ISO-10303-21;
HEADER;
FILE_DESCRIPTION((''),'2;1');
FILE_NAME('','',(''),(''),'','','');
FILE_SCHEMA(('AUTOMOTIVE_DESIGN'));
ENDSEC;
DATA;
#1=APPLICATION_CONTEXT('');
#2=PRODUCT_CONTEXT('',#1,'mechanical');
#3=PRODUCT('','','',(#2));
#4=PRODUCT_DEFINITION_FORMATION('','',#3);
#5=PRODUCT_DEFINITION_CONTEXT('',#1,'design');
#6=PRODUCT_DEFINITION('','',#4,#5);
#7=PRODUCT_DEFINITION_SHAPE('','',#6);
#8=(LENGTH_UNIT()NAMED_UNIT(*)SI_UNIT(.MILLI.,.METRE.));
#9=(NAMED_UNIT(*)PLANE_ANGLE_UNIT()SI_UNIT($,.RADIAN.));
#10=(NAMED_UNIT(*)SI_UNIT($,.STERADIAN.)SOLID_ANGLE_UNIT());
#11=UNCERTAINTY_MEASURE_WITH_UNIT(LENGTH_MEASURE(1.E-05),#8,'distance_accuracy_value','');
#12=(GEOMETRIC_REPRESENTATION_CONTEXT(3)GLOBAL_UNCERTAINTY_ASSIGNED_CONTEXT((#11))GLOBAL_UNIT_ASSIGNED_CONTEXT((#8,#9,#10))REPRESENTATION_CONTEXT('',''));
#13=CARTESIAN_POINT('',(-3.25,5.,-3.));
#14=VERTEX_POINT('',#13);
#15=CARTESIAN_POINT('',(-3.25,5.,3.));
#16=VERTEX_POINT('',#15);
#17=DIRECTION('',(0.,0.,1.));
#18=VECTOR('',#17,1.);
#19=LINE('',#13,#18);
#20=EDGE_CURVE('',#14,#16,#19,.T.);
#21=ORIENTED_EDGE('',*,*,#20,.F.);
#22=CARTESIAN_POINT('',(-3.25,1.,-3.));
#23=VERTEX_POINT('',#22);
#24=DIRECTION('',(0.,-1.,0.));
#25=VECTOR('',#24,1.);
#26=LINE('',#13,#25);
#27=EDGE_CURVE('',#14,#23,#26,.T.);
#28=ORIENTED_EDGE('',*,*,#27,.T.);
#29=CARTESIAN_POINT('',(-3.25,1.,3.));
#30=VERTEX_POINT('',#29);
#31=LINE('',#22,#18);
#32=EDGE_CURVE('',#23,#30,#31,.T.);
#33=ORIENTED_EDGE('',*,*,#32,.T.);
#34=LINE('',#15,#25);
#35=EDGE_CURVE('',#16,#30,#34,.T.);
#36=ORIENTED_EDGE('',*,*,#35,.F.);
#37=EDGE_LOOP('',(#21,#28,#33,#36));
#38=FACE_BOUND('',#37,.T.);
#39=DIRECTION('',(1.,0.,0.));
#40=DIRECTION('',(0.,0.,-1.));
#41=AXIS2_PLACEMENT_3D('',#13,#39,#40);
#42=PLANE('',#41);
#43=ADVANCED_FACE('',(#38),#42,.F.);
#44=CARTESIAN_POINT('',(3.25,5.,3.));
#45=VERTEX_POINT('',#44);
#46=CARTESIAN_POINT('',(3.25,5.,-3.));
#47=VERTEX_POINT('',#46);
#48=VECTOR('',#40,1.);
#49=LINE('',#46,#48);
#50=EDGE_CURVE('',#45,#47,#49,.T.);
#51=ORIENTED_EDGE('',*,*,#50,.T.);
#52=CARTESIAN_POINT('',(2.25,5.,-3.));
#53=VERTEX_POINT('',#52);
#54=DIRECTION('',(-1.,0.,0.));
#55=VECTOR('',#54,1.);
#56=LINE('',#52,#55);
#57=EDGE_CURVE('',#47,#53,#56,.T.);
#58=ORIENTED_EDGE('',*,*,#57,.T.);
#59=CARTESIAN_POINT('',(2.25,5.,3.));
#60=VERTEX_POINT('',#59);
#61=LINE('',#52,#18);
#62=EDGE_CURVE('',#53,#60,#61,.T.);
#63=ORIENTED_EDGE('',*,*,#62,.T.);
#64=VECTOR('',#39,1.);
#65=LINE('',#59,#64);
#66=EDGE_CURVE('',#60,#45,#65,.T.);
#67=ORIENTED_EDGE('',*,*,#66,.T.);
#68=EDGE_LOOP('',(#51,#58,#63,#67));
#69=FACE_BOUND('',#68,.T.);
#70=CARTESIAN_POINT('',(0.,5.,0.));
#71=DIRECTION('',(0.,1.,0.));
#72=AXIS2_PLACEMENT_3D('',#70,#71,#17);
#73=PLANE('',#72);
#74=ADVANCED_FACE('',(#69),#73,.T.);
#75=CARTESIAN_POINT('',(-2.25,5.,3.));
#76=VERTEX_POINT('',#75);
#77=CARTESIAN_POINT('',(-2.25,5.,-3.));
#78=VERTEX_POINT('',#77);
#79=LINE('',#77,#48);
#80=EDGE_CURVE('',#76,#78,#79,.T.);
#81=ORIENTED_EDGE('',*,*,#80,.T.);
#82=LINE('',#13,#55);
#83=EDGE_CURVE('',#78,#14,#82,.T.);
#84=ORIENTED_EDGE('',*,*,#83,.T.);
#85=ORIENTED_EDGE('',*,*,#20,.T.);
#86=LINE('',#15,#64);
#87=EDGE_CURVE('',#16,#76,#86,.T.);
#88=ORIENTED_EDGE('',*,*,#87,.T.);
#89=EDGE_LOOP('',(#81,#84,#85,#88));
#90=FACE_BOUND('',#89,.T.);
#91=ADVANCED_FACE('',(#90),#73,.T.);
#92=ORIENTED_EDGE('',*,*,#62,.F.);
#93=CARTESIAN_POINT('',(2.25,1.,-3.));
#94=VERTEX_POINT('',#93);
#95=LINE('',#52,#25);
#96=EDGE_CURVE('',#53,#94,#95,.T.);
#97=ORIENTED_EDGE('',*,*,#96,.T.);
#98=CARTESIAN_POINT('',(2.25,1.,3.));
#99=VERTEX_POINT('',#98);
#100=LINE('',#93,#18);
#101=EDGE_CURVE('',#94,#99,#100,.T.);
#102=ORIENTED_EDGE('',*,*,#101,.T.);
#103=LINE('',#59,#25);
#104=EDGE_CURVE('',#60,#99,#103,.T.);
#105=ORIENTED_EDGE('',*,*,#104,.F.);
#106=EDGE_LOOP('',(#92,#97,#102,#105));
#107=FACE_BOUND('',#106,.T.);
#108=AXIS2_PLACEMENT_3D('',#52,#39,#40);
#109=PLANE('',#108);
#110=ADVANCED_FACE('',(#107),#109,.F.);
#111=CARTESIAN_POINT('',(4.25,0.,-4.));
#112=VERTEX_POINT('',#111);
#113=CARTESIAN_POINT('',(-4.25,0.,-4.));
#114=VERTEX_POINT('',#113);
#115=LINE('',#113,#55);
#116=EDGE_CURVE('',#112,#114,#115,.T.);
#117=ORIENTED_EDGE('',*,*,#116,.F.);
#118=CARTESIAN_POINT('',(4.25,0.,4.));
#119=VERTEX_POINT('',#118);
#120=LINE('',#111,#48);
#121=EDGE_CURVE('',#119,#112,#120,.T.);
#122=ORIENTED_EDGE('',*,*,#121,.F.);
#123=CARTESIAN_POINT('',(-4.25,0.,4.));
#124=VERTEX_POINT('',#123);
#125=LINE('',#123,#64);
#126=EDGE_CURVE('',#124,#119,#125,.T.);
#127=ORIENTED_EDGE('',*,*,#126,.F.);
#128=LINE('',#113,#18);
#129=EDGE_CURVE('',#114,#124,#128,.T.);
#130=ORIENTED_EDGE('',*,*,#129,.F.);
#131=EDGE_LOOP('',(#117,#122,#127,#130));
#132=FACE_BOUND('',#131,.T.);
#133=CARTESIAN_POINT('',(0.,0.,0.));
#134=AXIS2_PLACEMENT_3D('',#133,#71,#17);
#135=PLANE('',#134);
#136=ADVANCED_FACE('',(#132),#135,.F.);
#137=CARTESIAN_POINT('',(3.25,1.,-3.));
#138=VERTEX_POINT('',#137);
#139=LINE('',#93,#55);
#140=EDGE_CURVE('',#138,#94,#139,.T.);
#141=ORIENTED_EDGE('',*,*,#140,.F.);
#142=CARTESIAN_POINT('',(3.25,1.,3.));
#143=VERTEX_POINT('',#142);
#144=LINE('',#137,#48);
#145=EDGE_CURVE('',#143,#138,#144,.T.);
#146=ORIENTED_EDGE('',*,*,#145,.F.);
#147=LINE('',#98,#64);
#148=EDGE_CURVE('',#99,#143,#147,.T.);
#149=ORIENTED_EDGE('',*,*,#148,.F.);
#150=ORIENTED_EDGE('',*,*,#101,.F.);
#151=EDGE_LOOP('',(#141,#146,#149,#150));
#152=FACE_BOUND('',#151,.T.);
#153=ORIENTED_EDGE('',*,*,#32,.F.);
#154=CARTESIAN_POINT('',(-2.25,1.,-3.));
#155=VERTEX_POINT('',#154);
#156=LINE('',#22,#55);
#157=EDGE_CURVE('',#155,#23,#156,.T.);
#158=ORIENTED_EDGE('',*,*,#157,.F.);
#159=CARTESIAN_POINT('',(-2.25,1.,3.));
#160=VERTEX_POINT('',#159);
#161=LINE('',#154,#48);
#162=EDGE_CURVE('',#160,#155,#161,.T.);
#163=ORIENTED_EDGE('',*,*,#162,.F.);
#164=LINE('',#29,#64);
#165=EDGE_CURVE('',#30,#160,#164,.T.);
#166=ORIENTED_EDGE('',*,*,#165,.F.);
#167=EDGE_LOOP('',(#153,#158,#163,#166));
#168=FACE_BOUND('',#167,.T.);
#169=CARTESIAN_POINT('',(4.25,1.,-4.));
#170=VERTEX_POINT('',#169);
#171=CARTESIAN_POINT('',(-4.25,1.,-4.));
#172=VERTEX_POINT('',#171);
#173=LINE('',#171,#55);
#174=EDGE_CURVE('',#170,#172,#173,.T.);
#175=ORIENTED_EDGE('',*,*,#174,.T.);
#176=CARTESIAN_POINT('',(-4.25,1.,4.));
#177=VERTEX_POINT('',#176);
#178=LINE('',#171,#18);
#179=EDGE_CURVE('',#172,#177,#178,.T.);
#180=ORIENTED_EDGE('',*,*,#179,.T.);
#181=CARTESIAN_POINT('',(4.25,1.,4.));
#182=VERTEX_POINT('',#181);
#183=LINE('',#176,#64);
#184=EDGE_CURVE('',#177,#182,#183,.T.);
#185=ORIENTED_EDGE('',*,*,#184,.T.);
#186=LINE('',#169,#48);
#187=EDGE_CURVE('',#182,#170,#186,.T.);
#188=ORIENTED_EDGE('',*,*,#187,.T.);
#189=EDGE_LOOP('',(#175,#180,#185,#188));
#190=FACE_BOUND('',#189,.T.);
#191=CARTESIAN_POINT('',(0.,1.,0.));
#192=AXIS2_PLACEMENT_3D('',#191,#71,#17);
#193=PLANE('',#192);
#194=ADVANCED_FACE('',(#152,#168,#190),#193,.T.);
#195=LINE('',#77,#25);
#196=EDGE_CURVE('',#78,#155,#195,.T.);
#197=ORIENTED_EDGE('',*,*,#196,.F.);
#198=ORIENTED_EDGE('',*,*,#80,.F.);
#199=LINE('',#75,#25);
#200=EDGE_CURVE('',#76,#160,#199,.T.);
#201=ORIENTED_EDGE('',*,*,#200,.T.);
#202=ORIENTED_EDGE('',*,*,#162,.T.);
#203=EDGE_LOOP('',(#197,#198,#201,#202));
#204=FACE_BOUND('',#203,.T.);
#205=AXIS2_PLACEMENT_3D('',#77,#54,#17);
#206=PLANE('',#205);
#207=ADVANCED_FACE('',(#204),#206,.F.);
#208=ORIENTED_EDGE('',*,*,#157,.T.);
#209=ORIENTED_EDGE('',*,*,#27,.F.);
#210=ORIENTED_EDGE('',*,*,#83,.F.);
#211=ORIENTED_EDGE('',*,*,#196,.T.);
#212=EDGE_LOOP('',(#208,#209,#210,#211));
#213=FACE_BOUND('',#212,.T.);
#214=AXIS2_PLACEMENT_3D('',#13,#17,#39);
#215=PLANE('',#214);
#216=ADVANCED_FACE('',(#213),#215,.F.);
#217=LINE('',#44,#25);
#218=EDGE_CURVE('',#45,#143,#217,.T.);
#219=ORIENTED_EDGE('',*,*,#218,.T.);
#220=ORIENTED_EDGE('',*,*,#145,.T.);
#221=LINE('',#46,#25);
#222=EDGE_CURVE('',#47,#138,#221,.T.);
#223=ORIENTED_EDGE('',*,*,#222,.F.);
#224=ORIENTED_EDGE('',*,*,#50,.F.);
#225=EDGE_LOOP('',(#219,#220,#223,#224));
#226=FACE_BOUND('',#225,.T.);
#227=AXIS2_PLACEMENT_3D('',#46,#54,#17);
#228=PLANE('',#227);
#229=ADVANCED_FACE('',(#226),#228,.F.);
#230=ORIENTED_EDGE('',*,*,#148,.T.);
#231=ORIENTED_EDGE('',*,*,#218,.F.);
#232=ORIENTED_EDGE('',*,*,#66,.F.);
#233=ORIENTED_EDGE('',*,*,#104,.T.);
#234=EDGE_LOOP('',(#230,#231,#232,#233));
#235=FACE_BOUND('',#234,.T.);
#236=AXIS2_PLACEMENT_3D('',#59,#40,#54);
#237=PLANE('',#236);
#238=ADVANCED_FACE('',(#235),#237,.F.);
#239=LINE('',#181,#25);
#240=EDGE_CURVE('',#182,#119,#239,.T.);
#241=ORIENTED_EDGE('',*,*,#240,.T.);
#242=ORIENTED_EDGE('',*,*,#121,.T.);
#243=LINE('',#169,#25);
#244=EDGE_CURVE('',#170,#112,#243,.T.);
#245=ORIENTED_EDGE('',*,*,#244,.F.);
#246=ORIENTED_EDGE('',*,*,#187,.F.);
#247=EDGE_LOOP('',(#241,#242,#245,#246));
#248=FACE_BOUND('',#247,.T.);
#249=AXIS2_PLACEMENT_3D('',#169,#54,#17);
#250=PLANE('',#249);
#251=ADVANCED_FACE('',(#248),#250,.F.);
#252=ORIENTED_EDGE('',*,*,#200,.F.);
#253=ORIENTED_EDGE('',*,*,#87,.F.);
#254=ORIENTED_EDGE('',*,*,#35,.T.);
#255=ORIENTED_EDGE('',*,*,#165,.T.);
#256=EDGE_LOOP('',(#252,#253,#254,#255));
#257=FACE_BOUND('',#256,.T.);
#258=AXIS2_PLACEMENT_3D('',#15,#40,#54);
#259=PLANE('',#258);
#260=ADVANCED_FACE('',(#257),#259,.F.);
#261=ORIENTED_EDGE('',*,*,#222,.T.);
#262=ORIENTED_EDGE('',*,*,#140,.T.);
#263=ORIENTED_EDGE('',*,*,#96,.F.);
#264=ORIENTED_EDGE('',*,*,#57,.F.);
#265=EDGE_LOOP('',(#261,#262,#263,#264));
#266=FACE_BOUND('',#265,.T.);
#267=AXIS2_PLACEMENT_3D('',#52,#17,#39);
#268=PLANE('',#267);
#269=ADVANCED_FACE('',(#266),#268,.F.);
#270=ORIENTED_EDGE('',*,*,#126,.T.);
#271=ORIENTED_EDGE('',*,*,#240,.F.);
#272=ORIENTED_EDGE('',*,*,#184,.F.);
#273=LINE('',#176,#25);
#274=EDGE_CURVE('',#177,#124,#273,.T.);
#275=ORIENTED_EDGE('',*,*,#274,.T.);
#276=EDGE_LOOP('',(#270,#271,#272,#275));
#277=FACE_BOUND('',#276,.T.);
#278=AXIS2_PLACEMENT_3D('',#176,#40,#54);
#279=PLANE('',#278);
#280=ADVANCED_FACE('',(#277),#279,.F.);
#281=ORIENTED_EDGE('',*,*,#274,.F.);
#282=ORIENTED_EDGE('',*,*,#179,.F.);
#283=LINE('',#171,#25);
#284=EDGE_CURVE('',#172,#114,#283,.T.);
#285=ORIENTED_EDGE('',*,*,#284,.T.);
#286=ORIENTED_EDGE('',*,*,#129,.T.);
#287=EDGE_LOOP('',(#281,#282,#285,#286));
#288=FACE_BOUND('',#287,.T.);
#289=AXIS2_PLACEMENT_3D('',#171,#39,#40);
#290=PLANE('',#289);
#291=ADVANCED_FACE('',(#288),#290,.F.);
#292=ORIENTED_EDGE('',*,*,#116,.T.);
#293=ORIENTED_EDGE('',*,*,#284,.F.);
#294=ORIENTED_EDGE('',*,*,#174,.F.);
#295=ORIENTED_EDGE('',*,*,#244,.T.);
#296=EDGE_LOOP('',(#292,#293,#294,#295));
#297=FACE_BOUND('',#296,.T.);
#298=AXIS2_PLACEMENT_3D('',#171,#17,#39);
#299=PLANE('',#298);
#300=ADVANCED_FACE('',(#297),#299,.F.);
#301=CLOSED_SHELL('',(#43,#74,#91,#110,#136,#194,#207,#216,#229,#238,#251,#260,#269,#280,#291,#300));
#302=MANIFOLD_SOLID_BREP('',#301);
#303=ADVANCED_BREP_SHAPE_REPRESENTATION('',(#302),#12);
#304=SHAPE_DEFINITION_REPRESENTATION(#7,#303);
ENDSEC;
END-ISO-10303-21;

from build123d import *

# Parameters (mm, degrees)
ESBO_O1_W                = 8.5
ESBO_O1_H                = 8
RESSALTO_EXTRUS_O1_DEPTH = 1
ESBO_O2_W                = 1
ESBO_O2_H                = 6
RESSALTO_EXTRUS_O2_DEPTH = 4


with BuildPart() as part:
    # Esboço1 → Ressalto-extrusão1 (new body)
    with BuildSketch(Plane(origin=(0, 0, 0), x_dir=(1, 0, 0), z_dir=(0, 1, 0))):
        Rectangle(ESBO_O1_W, ESBO_O1_H)
    extrude(amount=RESSALTO_EXTRUS_O1_DEPTH)

    # Esboço2 → Ressalto-extrusão2 (add)
    with BuildSketch(Plane(origin=(0, 1, 0), x_dir=(1, 0, 0), z_dir=(0, 1, 0))):
        with Locations((-2.75, 0)):
            Rectangle(ESBO_O2_W, ESBO_O2_H)
        with Locations((2.75, 0)):
            Rectangle(ESBO_O2_W, ESBO_O2_H)
    extrude(amount=RESSALTO_EXTRUS_O2_DEPTH)


solid = part.part
